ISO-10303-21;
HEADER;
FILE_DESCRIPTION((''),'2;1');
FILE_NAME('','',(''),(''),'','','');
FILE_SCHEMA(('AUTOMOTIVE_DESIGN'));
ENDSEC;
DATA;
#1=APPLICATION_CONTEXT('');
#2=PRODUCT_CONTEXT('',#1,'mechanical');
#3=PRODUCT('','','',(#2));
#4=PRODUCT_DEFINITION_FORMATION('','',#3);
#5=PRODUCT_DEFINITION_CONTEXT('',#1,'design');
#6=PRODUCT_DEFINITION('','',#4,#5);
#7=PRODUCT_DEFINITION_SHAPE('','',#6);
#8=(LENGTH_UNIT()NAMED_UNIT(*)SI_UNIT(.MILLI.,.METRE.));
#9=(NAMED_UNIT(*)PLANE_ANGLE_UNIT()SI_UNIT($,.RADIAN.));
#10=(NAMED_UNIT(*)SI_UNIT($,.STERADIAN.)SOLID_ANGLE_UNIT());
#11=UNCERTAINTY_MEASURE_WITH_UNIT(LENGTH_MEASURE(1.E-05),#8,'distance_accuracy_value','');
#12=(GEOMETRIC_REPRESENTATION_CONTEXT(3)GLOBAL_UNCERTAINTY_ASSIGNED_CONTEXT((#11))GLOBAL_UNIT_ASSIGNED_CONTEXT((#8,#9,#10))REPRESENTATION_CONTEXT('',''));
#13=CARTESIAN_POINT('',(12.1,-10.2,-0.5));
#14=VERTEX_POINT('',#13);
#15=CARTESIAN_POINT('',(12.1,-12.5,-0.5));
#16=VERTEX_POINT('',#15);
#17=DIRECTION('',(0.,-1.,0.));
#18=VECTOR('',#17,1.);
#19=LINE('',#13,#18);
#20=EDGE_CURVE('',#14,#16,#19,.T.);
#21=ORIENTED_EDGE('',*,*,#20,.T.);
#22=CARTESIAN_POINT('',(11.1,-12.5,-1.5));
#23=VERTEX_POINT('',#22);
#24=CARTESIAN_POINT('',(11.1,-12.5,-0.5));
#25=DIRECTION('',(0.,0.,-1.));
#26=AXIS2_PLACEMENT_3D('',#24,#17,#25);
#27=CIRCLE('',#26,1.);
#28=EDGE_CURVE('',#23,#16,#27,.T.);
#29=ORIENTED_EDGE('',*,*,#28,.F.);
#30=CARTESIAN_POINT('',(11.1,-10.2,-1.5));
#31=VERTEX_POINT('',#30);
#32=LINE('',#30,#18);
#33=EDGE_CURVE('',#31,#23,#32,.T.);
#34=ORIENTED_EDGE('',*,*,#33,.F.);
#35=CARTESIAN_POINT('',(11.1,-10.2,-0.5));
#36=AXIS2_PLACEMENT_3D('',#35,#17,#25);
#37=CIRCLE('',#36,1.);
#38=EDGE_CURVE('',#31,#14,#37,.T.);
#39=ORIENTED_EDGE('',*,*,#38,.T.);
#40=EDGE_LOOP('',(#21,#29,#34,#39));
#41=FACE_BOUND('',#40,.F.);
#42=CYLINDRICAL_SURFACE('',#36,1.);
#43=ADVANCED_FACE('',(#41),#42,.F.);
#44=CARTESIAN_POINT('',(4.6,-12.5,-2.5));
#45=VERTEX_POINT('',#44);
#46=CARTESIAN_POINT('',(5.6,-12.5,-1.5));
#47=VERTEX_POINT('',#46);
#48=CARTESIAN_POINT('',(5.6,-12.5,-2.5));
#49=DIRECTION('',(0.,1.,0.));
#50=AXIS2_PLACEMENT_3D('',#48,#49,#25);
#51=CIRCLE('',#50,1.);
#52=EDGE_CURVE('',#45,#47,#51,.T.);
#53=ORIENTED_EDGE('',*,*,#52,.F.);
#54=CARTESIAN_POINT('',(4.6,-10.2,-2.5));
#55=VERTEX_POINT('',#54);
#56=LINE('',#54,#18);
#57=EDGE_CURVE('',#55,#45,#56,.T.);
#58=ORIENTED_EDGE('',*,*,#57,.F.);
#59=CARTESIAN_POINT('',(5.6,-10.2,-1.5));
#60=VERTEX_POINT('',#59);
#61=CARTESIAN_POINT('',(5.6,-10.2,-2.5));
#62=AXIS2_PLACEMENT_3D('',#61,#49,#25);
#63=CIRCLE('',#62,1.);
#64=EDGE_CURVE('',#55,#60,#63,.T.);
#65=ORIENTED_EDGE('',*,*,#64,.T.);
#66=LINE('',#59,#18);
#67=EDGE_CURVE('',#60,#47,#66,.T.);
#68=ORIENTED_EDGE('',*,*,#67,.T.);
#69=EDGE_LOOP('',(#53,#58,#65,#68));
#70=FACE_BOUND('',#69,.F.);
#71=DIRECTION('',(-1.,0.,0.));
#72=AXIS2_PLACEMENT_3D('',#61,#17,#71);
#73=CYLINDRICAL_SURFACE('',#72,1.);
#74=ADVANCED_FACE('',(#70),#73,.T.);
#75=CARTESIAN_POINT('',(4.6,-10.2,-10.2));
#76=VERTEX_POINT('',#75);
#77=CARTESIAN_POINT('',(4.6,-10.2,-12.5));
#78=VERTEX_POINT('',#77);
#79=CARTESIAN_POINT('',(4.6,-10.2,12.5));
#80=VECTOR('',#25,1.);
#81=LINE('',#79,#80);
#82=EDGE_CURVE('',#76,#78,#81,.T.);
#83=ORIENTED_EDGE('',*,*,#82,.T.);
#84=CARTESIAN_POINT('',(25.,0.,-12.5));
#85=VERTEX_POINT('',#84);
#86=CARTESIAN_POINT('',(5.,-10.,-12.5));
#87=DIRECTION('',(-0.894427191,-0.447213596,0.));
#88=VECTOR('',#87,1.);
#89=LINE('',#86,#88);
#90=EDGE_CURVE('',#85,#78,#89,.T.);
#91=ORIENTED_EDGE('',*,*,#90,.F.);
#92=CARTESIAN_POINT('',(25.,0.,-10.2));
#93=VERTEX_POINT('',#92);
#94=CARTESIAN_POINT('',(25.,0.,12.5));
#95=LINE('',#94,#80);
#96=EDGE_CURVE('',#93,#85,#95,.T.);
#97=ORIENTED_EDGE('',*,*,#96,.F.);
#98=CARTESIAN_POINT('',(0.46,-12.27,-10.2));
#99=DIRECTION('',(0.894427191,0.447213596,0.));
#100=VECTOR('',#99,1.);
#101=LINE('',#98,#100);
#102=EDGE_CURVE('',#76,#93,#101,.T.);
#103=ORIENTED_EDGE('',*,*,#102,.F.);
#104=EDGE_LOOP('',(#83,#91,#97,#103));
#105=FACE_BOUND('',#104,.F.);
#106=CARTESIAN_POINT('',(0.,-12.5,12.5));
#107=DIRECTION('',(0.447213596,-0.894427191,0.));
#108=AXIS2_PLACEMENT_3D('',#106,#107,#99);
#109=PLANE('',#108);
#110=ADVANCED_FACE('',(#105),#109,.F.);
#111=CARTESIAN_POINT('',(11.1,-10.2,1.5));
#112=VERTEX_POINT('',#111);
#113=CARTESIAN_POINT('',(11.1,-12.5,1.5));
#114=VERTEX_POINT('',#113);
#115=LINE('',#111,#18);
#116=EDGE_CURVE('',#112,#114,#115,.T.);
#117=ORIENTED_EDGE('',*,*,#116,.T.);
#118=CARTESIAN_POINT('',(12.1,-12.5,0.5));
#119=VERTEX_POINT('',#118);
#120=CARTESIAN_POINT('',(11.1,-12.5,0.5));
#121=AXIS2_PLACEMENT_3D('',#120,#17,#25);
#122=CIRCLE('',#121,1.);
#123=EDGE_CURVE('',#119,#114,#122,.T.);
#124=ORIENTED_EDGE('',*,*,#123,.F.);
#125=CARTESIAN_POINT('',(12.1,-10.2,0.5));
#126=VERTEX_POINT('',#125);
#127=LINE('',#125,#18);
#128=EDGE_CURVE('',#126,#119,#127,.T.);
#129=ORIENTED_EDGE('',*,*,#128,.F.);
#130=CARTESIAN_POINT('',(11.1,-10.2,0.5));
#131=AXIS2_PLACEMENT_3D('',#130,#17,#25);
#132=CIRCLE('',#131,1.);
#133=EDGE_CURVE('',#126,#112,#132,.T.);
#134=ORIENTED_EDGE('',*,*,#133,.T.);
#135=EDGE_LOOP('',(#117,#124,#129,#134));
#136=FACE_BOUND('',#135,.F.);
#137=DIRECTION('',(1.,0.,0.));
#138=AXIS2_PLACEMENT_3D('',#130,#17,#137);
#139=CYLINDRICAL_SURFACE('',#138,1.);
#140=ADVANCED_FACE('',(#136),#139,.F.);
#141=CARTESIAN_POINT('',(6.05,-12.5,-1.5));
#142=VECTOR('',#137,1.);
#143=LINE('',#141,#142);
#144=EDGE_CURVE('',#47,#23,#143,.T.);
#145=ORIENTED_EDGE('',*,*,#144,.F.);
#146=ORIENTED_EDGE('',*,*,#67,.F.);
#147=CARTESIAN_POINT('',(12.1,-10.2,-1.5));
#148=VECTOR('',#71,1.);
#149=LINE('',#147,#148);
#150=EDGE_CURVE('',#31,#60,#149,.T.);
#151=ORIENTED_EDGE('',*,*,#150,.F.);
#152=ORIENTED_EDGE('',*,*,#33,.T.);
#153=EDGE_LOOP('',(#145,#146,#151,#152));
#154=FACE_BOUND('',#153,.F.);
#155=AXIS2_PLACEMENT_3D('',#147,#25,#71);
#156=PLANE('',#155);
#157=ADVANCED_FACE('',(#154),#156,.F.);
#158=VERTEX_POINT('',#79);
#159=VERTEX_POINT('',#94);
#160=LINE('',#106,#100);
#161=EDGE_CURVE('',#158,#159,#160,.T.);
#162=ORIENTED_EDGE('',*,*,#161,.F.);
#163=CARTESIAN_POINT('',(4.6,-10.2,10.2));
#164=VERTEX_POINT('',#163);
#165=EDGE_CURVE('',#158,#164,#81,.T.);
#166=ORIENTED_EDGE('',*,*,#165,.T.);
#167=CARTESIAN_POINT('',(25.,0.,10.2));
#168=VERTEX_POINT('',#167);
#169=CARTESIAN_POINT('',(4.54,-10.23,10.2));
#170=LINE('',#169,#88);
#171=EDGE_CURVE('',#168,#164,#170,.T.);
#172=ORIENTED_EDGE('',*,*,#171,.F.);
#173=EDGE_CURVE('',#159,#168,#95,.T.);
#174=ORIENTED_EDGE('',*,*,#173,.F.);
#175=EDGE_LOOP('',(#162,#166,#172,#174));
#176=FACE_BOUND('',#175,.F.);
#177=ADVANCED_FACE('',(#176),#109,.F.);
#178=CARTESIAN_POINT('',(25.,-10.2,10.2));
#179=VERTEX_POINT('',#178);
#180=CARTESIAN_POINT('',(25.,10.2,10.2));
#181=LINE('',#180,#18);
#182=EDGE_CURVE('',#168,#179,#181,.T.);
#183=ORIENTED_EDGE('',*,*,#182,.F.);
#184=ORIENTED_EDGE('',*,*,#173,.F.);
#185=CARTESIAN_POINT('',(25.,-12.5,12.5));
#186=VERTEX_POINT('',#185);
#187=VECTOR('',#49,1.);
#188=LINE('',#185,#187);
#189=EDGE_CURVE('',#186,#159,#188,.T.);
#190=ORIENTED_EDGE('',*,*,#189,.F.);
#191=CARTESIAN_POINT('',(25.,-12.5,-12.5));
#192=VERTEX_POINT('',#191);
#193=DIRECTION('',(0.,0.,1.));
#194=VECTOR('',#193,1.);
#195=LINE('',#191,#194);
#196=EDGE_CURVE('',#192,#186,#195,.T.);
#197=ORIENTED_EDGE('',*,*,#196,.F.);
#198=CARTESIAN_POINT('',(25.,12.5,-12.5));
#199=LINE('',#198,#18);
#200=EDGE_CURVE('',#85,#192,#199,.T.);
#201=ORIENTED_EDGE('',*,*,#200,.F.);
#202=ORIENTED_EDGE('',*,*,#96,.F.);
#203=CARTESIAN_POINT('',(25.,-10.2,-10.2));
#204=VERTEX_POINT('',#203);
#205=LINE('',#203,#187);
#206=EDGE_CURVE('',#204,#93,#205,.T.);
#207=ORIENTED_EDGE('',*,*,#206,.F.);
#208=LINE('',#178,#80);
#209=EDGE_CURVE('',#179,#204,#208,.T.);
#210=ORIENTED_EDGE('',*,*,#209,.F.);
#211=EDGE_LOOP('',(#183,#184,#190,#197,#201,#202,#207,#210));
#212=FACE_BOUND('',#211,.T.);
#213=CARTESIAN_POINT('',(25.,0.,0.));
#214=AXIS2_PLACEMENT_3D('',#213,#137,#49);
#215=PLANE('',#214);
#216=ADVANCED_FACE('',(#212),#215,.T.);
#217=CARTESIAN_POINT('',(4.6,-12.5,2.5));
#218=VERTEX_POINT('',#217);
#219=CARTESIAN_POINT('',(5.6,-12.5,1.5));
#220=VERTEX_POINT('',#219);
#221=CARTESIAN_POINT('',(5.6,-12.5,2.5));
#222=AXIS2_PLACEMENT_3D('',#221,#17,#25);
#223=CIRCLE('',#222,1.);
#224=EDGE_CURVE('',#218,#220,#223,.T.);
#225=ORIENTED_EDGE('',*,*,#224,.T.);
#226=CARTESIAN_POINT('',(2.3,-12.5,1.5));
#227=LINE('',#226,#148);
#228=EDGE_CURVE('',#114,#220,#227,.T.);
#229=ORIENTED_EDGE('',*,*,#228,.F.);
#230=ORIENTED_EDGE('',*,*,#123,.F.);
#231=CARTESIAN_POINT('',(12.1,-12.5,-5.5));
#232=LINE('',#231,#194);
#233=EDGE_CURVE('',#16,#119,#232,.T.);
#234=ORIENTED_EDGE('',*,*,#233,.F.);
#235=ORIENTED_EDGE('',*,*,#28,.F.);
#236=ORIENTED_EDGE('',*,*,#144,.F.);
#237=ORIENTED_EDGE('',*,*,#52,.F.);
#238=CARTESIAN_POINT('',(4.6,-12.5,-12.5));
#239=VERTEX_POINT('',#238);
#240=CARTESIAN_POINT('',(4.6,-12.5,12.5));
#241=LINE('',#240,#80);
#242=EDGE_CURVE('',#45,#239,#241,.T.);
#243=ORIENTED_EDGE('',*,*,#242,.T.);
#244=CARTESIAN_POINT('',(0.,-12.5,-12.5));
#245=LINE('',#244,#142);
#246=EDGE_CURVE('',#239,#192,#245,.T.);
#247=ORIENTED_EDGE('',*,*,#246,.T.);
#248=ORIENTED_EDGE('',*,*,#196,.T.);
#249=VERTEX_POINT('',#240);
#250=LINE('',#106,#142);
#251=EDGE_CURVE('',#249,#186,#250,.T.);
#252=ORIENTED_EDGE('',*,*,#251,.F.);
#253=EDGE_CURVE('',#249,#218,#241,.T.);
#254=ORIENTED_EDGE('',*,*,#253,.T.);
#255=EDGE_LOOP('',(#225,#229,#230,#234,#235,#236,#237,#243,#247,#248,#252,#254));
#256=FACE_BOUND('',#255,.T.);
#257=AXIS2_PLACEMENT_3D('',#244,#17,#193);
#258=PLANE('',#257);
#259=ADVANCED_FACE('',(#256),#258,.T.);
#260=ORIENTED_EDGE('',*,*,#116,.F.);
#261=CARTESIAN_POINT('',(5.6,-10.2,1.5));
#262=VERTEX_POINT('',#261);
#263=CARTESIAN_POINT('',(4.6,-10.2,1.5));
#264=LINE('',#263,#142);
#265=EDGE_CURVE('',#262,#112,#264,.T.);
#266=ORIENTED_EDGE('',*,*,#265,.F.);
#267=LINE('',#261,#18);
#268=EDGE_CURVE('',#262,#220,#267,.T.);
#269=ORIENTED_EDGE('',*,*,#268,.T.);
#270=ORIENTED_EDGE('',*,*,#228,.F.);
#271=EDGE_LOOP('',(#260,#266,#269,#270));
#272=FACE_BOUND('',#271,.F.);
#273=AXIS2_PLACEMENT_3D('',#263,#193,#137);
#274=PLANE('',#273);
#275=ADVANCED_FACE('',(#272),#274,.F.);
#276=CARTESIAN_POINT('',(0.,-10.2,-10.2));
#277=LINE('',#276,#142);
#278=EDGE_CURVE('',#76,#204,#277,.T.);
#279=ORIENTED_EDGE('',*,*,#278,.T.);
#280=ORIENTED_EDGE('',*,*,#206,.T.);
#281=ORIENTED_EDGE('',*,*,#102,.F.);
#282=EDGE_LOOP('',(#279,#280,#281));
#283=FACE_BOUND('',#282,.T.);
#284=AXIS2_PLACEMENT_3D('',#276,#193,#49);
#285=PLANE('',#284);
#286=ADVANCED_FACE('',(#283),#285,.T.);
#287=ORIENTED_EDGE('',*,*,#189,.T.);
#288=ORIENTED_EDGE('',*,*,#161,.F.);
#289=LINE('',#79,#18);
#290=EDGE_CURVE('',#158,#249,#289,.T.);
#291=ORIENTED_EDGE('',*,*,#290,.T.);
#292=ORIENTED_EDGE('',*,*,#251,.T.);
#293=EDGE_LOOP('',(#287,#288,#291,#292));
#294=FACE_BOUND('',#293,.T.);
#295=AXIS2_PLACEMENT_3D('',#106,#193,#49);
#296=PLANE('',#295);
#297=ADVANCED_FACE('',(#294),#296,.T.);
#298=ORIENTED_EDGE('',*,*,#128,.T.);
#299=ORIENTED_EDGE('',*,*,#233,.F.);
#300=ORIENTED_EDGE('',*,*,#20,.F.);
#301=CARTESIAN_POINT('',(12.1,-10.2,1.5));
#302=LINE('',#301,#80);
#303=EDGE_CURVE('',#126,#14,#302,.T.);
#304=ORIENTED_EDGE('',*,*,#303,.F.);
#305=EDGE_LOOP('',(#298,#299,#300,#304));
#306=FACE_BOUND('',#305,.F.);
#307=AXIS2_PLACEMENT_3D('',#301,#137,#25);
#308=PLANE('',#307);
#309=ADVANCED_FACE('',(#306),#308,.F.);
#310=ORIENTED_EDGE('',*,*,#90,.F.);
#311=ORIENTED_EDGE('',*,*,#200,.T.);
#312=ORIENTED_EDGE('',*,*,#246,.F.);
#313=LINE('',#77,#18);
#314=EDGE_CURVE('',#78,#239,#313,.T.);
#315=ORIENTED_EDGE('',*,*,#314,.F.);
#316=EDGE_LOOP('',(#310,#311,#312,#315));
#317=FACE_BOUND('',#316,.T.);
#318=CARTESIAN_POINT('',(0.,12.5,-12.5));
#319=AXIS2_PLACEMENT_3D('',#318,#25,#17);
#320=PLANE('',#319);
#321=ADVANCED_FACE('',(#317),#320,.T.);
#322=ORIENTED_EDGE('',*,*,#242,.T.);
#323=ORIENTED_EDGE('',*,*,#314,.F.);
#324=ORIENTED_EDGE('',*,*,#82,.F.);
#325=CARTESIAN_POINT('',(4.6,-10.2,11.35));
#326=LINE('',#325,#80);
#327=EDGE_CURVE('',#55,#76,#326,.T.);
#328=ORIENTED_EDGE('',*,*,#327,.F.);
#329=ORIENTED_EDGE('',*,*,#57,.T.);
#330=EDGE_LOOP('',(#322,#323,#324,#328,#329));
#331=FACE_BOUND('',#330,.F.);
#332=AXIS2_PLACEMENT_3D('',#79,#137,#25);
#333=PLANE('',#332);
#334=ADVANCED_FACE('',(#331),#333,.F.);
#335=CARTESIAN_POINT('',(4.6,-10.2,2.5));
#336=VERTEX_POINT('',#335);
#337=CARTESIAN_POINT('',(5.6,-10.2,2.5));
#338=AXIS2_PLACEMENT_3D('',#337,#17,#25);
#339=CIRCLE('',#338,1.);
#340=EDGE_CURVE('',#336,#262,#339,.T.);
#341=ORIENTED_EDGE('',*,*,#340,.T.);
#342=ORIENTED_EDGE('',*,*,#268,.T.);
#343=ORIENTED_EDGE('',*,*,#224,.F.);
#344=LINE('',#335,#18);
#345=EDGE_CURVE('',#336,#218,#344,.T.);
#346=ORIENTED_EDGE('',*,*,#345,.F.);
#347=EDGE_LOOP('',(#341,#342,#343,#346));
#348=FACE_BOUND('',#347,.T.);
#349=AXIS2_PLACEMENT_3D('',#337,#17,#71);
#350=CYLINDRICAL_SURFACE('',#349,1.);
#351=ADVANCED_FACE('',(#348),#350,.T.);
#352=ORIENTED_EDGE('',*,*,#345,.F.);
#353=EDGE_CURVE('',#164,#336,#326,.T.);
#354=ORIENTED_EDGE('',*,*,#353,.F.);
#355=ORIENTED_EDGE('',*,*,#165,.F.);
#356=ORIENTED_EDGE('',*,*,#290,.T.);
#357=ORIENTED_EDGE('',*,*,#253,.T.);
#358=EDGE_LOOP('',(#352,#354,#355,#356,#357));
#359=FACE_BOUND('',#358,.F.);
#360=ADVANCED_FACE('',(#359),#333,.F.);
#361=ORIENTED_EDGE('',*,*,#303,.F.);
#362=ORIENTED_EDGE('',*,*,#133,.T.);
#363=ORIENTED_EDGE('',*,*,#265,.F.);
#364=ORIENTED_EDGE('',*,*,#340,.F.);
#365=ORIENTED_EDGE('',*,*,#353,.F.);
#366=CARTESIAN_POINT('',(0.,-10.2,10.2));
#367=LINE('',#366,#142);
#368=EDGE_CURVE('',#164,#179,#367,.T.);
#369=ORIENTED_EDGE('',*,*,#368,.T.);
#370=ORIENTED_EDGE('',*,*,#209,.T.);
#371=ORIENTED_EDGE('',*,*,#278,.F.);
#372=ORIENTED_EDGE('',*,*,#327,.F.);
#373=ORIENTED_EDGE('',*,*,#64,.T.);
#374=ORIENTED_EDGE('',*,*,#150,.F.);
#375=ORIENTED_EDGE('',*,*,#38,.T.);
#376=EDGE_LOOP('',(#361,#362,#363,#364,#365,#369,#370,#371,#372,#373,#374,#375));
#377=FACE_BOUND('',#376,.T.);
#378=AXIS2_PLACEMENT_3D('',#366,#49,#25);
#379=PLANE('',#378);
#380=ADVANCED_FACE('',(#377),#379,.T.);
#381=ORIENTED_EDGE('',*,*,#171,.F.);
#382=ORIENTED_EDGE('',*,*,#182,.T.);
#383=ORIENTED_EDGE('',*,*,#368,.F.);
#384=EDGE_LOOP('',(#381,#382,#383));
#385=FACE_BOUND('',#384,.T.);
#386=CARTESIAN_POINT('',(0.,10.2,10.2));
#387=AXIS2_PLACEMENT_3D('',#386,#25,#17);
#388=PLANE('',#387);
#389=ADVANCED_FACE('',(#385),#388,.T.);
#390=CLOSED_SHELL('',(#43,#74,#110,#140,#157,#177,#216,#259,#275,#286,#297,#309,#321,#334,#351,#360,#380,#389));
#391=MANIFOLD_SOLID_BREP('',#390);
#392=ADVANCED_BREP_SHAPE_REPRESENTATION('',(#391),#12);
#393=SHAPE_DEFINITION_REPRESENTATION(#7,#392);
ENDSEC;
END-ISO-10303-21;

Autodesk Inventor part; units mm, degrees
ref_plane "YZ Plane" through (0, 0, 0) normal (1, 0, 0) x (0, 1, 0)
ref_plane "XZ Plane" through (0, 0, 0) normal (0, 1, 0) x (-1, 0, 0)
ref_plane "XY Plane" through (0, 0, 0) normal (0, 0, 1) x (1, 0, 0)
sketch "スケッチ1" plane through (0, 0, 0) normal (1, 0, 0) x (0, 1, 0)
  line L0 (-12.5, 12.5) -> (12.5, 12.5)
  line L1 (12.5, 12.5) -> (12.5, -12.5)
  line L2 (12.5, -12.5) -> (-12.5, -12.5)
  line L3 (-12.5, -12.5) -> (-12.5, 12.5)
  line L4 (-12.5, 12.5) -> (12.5, -12.5) construction
  line L5 (12.5, 12.5) -> (-12.5, -12.5) construction
  line L6 (10.2, 10.2) -> (-10.2, 10.2)
  line L7 (-10.2, 10.2) -> (-10.2, -10.2)
  line L8 (-10.2, -10.2) -> (10.2, -10.2)
  line L9 (10.2, -10.2) -> (10.2, 10.2)
  point P0 (0, 0)
  dimension "d0" = 25
  dimension "d1" = 25
  dimension "d2" = 2.3
extrude "押し出し1" add sketch "スケッチ1" along normal blind 25
sketch "スケッチ2" plane through (0, -12.5, 12.5) normal (0, 0, 1) x (1, 0, 0)
  line L0 (25, 25) -> (25, 0) projected
  line L1 (0, 12.5) -> (25, 12.5)
  line L2 (25, 12.5) -> (25, 25)
  line L3 (25, 25) -> (0, 25)
  line L4 (0, 25) -> (0, 12.5)
extrude "押し出し2" cut sketch "スケッチ2" against normal through all
sketch "スケッチ3" plane through (0, -12.5, 12.5) normal (0, 0, 1) x (1, 0, 0)
  line L0 (0, 0) -> (0, 12.5) projected
  line L1 (0, 0) -> (25, 12.5)
  line L2 (25, 12.5) -> (0, 12.5) projected
extrude "押し出し3" cut sketch "スケッチ3" against normal through all
sketch "スケッチ4" plane through (25, -10.2, 10.2) normal (0, 1, 0) x (1, 0, 0)
  line L0 (-25, -2.3) -> (0, -2.3) projected
  line L1 (-25, 22.7) -> (0, 22.7) projected
  line L2 (-25, -2.3) -> (-20.4, -2.3)
  line L3 (-20.4, -2.3) -> (-20.4, 22.7)
  line L4 (-20.4, 22.7) -> (-25, 22.7)
  line L5 (-25, 22.7) -> (-25, -2.3)
  line L6 (-20.4, 20.4) -> (-20.4, 0) projected
  point P0 (-25, 10.2)
extrude "押し出し4" cut sketch "スケッチ4" against normal blind 10
sketch "スケッチ5" plane through (25, -10.2, 10.2) normal (0, 1, 0) x (1, 0, 0)
  line L0 (-20.4, 8.7) -> (-12.9, 8.7)
  line L1 (-12.9, 8.7) -> (-12.9, 11.7)
  line L2 (-12.9, 11.7) -> (-20.4, 11.7)
  line L3 (-20.4, 11.7) -> (-20.4, 8.7)
  line L4 (-20.4, 20.4) -> (-20.4, 0) projected
  point P0 (-25, 10.2)
  point P1 (-20.4, 10.2)
  dimension "d11" = 3
  dimension "d12" = 7.5
extrude "押し出し5" cut sketch "スケッチ5" against normal blind 10
fillet "フィレット1" radius 1 4 edges at (4.6, -11.35, -1.5) (4.6, -11.35, 1.5) (12.1, -11.35, -1.5) (12.1, -11.35, 1.5)
equation "\"d1\" = d0"
properties part number "wire lead"
